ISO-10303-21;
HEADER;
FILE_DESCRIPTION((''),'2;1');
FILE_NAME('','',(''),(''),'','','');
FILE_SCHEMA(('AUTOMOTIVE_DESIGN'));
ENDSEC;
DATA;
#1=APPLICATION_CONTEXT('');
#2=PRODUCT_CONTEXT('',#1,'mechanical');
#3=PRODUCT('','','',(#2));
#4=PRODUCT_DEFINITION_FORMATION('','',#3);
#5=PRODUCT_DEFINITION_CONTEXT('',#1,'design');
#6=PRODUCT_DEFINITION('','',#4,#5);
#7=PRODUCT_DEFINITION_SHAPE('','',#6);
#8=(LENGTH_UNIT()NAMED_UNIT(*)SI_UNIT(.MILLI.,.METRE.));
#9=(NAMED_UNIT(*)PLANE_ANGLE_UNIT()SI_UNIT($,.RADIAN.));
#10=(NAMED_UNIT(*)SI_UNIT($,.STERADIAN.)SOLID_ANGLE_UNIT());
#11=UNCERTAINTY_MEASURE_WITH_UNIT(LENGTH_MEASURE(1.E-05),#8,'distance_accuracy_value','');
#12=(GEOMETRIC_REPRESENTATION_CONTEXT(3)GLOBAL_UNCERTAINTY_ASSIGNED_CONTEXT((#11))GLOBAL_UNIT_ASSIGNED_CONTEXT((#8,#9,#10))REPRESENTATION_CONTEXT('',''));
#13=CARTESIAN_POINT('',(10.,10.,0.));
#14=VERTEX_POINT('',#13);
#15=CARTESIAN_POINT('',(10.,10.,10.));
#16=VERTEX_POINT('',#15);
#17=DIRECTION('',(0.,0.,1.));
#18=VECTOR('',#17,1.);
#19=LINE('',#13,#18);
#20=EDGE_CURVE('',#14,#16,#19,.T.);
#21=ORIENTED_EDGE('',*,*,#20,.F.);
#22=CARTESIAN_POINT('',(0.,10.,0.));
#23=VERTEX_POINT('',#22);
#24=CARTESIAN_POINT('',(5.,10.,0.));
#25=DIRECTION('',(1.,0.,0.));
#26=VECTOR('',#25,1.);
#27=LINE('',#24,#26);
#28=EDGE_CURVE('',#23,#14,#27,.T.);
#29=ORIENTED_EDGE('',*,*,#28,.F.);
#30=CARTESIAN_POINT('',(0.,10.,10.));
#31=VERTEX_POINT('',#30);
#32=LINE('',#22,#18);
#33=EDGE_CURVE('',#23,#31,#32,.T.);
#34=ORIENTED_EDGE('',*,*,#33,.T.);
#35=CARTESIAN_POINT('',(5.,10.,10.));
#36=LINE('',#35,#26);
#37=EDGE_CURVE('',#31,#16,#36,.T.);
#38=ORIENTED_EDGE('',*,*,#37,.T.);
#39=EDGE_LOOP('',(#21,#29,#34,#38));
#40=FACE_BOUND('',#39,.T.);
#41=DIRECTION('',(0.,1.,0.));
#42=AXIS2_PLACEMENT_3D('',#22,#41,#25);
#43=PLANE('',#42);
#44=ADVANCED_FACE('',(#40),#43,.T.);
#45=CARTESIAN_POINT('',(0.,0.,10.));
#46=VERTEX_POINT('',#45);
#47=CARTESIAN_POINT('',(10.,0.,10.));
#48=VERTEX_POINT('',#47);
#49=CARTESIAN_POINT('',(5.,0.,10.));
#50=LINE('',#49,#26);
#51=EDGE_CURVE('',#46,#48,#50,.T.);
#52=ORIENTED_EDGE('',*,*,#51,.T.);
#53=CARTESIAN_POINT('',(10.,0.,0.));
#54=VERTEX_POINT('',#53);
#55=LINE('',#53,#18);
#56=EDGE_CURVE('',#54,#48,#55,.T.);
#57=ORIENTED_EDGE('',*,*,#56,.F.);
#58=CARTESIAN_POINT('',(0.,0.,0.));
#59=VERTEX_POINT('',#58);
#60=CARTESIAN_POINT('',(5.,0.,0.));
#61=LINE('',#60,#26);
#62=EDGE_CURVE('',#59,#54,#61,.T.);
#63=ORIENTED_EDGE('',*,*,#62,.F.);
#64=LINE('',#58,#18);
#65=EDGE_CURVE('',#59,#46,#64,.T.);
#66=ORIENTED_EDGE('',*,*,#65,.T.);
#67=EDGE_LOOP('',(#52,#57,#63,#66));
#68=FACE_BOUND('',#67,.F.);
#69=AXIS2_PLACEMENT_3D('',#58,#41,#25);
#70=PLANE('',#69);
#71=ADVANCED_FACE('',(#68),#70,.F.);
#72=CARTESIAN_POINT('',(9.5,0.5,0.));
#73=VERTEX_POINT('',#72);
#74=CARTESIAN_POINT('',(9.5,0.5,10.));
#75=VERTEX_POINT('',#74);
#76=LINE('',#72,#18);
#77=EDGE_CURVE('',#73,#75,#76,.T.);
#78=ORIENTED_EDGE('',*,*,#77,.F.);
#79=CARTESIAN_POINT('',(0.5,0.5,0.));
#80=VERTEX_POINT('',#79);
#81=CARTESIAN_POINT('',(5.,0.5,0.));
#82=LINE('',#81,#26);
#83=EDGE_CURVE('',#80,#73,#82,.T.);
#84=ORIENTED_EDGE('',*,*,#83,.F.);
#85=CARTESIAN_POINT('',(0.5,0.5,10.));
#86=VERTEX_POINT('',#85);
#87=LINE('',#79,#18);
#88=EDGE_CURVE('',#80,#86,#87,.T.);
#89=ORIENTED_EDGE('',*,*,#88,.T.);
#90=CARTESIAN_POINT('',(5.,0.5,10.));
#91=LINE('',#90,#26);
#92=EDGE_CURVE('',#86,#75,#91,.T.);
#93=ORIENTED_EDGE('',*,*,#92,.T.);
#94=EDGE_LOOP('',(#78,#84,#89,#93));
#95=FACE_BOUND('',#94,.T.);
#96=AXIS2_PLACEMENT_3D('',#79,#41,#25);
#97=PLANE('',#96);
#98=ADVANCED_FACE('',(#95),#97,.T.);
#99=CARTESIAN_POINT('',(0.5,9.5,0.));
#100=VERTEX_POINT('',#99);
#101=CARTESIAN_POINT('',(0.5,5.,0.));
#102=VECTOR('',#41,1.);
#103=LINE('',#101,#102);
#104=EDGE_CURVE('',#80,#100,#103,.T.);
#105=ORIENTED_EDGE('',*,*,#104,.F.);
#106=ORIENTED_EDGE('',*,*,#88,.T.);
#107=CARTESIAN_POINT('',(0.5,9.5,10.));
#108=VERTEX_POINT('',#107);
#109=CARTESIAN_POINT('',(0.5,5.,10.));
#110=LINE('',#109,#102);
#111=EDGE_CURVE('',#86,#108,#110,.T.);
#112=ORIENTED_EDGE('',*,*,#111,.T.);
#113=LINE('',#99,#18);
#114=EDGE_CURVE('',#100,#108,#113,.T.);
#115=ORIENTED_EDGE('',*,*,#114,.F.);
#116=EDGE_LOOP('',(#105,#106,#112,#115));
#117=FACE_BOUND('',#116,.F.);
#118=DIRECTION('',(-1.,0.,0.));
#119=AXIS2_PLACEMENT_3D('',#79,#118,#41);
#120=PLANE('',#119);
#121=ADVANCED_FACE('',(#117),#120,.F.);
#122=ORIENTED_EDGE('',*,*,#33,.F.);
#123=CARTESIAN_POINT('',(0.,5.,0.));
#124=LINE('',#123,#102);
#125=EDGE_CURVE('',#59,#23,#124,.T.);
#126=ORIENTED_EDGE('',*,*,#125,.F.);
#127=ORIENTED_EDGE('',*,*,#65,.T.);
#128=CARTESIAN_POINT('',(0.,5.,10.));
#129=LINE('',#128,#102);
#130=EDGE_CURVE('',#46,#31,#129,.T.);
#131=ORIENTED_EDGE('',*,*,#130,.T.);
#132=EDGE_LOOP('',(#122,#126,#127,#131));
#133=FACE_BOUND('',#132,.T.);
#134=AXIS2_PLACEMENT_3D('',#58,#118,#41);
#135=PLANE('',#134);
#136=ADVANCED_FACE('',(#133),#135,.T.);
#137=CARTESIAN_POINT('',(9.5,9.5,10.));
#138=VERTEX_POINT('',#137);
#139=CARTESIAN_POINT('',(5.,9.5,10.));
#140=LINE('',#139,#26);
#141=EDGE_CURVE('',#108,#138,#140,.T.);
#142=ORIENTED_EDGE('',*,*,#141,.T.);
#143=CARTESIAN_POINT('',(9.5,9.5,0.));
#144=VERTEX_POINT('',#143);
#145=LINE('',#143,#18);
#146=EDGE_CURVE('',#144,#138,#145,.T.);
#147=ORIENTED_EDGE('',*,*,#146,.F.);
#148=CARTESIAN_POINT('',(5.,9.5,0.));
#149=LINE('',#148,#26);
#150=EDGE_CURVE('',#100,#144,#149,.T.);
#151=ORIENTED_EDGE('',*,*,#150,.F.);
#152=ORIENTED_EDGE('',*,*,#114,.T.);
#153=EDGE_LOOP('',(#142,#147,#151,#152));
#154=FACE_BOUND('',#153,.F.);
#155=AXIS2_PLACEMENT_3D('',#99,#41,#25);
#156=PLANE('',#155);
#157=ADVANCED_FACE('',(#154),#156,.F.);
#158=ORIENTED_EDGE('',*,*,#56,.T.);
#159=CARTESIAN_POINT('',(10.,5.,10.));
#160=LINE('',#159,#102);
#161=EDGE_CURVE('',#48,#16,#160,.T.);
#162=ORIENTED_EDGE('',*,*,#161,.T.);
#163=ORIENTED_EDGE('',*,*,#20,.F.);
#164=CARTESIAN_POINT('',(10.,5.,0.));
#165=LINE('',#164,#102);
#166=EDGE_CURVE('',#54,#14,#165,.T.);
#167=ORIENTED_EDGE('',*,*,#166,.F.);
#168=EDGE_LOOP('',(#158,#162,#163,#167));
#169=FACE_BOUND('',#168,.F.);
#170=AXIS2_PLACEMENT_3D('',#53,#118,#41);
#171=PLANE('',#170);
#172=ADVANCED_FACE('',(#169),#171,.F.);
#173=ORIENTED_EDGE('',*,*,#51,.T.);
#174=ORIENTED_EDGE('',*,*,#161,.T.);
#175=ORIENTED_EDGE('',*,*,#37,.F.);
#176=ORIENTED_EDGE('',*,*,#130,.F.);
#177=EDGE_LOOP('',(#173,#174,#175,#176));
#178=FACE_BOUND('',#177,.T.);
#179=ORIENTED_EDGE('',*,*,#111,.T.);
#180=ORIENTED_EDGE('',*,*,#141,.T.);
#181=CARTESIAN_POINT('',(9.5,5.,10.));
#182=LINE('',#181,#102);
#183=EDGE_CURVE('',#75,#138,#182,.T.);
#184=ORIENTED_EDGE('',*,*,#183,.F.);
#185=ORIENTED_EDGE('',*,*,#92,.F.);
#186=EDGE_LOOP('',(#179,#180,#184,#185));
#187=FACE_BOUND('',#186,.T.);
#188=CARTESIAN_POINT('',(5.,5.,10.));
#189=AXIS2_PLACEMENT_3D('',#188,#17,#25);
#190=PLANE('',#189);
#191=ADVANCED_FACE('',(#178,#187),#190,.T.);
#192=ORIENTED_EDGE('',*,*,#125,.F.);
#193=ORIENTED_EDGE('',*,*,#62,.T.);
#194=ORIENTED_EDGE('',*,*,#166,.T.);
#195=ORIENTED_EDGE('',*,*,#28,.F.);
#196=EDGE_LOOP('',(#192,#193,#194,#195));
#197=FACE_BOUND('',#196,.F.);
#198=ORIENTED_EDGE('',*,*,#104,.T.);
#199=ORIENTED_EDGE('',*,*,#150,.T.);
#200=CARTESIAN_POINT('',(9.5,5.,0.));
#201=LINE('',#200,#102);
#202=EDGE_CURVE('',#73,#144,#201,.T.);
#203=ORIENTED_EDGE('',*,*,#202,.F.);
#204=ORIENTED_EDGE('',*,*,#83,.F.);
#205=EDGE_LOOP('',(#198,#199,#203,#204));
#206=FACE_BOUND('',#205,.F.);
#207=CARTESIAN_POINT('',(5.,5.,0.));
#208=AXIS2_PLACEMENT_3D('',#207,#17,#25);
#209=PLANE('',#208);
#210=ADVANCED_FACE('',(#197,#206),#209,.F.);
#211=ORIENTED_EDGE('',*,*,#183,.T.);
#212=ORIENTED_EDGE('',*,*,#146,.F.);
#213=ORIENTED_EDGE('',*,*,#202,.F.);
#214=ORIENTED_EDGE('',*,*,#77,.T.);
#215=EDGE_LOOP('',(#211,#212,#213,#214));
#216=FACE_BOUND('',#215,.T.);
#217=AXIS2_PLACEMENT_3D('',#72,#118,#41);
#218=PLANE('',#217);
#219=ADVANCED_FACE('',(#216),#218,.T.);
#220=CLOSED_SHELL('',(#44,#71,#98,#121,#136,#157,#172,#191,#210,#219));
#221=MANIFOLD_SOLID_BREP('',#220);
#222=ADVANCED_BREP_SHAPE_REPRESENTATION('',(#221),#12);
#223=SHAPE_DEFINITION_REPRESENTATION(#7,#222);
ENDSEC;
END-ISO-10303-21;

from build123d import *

# Parameters (mm, degrees)
BOX001_W     = 9
BOX001_H     = 9
BOX001_DEPTH = 10
BOX_W        = 10
BOX_H        = 10
BOX_DEPTH    = 10


with BuildPart() as cube001:
    # Box001 → Box001 (new body)
    with BuildSketch(Plane(origin=(0.5, 0.5, 0), x_dir=(1, 0, 0), z_dir=(0, 0, 1))):
        with Locations((4.5, 4.5)):
            Rectangle(BOX001_W, BOX001_H)
    extrude(amount=BOX001_DEPTH)


with BuildPart() as cut:
    # Box → Box (new body)
    with BuildSketch(Plane.XY):
        with Locations((5, 5)):
            Rectangle(BOX_W, BOX_H)
    extrude(amount=BOX_DEPTH)

    # Cut: cut Cube001
    add(cube001.part, mode=Mode.SUBTRACT)


solid = cut.part
